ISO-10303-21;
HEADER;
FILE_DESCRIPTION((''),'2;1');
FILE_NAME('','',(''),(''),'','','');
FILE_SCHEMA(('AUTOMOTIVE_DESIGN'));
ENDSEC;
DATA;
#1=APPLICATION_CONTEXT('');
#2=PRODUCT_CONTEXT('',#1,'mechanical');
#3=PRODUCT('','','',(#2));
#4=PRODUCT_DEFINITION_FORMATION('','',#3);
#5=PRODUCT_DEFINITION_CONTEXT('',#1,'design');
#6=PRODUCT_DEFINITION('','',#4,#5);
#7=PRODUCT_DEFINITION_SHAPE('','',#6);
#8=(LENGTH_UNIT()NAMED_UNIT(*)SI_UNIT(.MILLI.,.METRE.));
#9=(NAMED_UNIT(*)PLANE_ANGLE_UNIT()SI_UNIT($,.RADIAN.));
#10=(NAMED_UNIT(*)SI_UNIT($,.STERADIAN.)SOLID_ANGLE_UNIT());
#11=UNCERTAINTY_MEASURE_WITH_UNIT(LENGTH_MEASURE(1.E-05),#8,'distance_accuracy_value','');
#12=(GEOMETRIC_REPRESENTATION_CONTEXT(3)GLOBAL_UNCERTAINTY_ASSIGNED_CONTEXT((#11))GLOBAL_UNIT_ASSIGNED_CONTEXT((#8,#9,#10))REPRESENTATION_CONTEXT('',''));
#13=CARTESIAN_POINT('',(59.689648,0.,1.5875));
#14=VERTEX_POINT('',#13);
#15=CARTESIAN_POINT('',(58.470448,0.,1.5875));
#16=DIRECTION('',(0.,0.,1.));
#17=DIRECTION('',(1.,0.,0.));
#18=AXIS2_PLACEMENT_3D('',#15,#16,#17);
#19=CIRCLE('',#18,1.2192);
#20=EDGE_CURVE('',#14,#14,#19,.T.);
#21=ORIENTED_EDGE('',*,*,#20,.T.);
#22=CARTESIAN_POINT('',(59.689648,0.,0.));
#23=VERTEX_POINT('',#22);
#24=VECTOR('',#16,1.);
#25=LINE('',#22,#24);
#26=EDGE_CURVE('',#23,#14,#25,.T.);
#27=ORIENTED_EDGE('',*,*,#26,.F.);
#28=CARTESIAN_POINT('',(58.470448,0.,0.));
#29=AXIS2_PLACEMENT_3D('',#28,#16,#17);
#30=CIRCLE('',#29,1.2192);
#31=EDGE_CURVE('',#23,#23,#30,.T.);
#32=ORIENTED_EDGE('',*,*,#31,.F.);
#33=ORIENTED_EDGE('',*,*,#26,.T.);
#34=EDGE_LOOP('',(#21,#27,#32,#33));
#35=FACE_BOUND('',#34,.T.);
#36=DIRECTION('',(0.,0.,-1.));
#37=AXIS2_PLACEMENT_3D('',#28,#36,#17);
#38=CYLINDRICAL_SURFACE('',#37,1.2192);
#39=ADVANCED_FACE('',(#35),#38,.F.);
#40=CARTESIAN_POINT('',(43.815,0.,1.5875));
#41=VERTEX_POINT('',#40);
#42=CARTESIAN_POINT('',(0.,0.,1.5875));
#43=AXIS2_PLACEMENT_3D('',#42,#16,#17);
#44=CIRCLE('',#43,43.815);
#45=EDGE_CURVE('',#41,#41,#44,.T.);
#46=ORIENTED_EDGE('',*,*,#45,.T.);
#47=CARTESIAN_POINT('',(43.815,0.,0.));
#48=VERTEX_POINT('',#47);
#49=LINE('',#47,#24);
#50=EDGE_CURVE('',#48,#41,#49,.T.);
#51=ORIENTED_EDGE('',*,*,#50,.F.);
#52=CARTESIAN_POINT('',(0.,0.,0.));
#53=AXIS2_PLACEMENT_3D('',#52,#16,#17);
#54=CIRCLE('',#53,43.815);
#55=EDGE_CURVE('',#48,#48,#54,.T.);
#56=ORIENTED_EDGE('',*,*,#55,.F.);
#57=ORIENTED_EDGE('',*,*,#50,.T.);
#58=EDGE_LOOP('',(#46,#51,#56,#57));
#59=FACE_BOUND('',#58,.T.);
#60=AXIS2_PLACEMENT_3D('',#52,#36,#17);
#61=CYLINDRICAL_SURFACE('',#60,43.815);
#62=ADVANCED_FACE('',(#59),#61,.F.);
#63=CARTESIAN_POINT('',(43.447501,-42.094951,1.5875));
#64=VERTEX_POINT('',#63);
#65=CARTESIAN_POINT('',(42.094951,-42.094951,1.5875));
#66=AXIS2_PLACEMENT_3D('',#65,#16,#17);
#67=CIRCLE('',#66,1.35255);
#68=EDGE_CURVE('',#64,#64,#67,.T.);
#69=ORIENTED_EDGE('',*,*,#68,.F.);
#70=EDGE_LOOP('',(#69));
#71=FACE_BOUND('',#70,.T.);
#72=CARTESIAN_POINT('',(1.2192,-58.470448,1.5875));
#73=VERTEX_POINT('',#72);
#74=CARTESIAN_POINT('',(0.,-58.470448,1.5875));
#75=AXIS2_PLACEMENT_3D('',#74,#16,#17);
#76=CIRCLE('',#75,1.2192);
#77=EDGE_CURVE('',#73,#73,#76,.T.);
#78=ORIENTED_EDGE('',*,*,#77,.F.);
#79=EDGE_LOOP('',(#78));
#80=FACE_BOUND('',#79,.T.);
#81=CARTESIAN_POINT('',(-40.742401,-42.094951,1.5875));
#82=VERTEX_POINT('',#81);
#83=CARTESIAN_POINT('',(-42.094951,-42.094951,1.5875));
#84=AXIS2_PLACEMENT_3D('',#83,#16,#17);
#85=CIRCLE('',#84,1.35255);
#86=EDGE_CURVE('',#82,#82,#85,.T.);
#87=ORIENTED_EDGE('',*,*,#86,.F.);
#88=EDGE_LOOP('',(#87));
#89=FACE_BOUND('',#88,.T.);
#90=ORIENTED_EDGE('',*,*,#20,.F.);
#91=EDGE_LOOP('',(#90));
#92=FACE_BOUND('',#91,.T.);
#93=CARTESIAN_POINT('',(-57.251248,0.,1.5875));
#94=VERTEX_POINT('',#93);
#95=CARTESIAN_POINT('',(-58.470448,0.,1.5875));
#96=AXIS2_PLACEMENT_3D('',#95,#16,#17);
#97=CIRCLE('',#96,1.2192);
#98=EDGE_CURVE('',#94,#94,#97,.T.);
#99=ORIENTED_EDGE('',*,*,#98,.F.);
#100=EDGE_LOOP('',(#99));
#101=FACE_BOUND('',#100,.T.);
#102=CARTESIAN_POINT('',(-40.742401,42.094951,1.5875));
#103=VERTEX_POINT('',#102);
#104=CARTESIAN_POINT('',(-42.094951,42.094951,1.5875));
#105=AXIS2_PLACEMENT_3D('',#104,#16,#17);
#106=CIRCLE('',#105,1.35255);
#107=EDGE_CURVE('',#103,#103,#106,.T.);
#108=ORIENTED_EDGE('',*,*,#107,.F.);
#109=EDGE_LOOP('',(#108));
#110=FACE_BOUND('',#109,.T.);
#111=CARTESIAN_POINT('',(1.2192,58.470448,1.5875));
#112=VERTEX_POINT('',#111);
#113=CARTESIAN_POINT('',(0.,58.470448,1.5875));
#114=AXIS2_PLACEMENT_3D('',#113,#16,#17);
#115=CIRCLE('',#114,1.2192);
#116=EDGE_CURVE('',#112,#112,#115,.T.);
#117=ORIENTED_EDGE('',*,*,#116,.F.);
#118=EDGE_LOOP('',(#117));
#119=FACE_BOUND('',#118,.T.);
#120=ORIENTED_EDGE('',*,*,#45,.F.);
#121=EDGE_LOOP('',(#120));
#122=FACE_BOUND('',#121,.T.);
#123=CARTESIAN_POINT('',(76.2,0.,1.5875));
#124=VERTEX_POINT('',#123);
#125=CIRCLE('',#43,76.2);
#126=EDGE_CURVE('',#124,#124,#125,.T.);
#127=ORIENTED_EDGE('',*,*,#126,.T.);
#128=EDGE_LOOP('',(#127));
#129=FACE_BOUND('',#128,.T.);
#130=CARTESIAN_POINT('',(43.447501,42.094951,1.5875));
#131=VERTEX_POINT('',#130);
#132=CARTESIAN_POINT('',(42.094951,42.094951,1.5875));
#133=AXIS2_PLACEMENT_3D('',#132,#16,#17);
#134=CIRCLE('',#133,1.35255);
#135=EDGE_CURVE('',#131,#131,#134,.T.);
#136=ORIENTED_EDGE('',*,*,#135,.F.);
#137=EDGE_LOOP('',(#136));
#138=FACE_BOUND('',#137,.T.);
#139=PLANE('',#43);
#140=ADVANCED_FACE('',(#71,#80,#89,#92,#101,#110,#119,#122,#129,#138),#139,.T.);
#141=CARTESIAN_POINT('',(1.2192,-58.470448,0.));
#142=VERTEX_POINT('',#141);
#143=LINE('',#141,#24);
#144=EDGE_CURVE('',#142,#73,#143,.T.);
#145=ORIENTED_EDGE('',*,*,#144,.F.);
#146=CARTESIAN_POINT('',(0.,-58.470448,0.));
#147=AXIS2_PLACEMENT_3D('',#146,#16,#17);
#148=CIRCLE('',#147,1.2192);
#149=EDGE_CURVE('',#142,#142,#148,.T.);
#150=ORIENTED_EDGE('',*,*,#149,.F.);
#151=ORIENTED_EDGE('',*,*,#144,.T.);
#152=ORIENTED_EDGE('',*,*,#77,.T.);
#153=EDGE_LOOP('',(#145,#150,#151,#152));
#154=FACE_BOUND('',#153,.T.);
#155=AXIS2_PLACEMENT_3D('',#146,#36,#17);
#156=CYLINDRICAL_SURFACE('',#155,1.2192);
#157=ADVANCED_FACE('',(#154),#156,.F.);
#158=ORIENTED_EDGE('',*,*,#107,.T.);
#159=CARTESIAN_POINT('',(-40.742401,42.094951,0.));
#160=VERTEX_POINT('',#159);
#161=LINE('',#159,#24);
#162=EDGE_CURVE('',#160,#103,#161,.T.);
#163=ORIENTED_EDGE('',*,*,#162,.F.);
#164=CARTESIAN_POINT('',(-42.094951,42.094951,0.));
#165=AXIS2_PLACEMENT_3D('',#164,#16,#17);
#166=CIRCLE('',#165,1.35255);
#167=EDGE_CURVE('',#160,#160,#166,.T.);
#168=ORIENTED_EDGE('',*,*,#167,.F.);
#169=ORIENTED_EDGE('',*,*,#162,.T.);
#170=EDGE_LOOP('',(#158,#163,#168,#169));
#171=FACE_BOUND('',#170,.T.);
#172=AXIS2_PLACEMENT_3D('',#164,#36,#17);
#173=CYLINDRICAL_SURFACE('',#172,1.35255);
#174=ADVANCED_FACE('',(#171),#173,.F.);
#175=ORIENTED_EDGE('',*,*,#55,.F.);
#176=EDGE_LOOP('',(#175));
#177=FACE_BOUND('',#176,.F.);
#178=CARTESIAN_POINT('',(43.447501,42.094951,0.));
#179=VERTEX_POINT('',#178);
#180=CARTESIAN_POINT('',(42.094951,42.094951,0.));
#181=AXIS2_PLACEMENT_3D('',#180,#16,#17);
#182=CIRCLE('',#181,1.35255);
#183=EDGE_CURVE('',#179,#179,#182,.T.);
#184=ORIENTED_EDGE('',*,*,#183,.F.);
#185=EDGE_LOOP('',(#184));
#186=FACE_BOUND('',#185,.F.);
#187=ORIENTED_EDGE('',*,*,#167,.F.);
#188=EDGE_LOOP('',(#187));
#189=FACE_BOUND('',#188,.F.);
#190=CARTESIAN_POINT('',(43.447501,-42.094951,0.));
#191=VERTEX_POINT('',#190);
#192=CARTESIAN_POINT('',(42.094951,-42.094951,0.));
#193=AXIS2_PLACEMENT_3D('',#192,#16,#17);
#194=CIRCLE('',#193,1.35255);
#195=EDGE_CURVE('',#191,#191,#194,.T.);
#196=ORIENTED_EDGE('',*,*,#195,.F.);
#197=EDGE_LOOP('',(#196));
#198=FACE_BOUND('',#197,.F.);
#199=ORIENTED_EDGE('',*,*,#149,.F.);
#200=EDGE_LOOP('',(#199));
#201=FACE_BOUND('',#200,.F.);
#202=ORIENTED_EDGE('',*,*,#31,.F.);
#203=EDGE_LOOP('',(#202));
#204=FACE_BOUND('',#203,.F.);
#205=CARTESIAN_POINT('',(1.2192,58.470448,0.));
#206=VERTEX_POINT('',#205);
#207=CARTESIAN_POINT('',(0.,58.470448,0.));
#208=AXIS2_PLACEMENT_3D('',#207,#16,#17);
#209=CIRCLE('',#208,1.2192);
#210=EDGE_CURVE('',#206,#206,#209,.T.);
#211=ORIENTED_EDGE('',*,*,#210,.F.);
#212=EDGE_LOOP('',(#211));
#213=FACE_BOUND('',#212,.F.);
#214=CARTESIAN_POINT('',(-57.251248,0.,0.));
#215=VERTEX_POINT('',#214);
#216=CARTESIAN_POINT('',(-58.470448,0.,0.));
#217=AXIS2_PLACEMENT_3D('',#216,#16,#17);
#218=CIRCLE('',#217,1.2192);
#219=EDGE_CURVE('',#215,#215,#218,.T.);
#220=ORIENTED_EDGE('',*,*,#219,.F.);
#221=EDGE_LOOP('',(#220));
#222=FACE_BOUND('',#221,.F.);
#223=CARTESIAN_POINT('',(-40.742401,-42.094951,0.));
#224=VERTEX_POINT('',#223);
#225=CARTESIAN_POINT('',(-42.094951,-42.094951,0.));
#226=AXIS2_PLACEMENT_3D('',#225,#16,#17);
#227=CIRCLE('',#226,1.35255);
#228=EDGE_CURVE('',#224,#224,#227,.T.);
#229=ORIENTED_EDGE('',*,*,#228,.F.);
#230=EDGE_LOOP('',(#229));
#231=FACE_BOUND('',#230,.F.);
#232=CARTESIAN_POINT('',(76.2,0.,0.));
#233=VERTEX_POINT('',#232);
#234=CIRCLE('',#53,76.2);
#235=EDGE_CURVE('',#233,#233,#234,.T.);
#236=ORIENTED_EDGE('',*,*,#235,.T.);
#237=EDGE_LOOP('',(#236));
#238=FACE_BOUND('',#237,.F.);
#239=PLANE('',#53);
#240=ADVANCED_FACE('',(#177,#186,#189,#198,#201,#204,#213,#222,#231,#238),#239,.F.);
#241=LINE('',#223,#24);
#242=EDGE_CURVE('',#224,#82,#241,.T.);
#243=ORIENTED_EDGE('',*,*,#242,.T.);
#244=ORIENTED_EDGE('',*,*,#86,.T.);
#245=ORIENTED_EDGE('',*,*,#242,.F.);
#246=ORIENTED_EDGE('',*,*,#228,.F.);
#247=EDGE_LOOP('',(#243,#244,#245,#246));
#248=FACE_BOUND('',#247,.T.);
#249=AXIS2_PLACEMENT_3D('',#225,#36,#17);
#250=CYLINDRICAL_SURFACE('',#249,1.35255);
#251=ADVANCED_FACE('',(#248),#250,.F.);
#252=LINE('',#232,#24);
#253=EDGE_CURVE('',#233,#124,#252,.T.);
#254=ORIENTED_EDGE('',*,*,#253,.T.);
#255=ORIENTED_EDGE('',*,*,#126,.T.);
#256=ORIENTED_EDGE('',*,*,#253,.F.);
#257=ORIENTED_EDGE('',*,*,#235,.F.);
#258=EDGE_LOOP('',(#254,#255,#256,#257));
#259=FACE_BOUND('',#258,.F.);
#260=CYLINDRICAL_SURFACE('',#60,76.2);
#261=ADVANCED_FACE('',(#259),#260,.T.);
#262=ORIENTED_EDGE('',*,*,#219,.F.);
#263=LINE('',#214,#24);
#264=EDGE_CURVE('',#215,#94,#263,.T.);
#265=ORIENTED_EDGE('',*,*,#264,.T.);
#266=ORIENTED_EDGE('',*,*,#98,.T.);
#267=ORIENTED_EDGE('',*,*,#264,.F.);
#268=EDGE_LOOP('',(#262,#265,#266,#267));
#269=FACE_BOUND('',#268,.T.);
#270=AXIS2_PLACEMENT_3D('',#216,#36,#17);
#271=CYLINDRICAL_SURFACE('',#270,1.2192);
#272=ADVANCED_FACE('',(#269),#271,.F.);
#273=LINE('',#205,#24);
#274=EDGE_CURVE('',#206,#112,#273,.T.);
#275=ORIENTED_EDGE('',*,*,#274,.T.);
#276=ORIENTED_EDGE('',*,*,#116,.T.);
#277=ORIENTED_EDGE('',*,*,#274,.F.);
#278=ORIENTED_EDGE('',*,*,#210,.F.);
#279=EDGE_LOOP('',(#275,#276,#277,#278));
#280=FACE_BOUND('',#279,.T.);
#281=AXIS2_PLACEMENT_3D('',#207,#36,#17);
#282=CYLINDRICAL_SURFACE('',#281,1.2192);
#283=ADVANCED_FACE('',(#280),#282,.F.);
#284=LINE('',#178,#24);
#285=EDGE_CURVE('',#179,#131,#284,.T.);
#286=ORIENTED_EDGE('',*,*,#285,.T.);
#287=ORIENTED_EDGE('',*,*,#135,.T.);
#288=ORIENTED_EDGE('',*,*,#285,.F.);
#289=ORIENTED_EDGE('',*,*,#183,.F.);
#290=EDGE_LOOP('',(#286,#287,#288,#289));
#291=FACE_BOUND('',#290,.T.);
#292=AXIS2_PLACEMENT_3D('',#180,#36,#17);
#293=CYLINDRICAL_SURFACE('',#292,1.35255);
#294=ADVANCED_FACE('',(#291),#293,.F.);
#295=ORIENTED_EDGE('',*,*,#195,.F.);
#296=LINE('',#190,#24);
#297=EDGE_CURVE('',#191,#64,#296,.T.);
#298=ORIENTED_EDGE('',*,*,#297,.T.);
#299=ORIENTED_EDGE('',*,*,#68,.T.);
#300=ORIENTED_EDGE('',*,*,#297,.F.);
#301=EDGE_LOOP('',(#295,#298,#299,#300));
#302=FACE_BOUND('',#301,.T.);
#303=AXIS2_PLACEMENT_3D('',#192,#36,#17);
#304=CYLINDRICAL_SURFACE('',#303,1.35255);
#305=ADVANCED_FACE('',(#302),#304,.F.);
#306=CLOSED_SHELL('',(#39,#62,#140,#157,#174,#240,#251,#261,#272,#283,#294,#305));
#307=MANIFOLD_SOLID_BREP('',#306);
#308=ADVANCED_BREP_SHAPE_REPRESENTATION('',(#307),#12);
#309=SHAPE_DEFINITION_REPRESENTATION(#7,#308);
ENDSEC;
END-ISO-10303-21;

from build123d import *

# Parameters (mm, degrees)
F0_R     = 76.2
F0_R_2   = 1.35255
F0_R_3   = 1.2192
F0_R_4   = 43.815
F1_DEPTH = 1.5875


with BuildPart() as f1:
    # F0 (on Top) → F1 (new body)
    with BuildSketch(Plane.XY):
        Circle(F0_R)
        with Locations((-42.094951, -42.094951)):
            Circle(F0_R_2, mode=Mode.SUBTRACT)
        with Locations((0, -58.470448)):
            Circle(F0_R_3, mode=Mode.SUBTRACT)
        with Locations((42.094951, -42.094951)):
            Circle(F0_R_2, mode=Mode.SUBTRACT)
        with Locations((-58.470448, 0)):
            Circle(F0_R_3, mode=Mode.SUBTRACT)
        with Locations((-42.094951, 42.094951)):
            Circle(F0_R_2, mode=Mode.SUBTRACT)
        Circle(F0_R_4, mode=Mode.SUBTRACT)
        with Locations((58.470448, 0)):
            Circle(F0_R_3, mode=Mode.SUBTRACT)
        with Locations((0, 58.470448)):
            Circle(F0_R_3, mode=Mode.SUBTRACT)
        with Locations((42.094951, 42.094951)):
            Circle(F0_R_2, mode=Mode.SUBTRACT)
    extrude(amount=F1_DEPTH)


solid = f1.part
